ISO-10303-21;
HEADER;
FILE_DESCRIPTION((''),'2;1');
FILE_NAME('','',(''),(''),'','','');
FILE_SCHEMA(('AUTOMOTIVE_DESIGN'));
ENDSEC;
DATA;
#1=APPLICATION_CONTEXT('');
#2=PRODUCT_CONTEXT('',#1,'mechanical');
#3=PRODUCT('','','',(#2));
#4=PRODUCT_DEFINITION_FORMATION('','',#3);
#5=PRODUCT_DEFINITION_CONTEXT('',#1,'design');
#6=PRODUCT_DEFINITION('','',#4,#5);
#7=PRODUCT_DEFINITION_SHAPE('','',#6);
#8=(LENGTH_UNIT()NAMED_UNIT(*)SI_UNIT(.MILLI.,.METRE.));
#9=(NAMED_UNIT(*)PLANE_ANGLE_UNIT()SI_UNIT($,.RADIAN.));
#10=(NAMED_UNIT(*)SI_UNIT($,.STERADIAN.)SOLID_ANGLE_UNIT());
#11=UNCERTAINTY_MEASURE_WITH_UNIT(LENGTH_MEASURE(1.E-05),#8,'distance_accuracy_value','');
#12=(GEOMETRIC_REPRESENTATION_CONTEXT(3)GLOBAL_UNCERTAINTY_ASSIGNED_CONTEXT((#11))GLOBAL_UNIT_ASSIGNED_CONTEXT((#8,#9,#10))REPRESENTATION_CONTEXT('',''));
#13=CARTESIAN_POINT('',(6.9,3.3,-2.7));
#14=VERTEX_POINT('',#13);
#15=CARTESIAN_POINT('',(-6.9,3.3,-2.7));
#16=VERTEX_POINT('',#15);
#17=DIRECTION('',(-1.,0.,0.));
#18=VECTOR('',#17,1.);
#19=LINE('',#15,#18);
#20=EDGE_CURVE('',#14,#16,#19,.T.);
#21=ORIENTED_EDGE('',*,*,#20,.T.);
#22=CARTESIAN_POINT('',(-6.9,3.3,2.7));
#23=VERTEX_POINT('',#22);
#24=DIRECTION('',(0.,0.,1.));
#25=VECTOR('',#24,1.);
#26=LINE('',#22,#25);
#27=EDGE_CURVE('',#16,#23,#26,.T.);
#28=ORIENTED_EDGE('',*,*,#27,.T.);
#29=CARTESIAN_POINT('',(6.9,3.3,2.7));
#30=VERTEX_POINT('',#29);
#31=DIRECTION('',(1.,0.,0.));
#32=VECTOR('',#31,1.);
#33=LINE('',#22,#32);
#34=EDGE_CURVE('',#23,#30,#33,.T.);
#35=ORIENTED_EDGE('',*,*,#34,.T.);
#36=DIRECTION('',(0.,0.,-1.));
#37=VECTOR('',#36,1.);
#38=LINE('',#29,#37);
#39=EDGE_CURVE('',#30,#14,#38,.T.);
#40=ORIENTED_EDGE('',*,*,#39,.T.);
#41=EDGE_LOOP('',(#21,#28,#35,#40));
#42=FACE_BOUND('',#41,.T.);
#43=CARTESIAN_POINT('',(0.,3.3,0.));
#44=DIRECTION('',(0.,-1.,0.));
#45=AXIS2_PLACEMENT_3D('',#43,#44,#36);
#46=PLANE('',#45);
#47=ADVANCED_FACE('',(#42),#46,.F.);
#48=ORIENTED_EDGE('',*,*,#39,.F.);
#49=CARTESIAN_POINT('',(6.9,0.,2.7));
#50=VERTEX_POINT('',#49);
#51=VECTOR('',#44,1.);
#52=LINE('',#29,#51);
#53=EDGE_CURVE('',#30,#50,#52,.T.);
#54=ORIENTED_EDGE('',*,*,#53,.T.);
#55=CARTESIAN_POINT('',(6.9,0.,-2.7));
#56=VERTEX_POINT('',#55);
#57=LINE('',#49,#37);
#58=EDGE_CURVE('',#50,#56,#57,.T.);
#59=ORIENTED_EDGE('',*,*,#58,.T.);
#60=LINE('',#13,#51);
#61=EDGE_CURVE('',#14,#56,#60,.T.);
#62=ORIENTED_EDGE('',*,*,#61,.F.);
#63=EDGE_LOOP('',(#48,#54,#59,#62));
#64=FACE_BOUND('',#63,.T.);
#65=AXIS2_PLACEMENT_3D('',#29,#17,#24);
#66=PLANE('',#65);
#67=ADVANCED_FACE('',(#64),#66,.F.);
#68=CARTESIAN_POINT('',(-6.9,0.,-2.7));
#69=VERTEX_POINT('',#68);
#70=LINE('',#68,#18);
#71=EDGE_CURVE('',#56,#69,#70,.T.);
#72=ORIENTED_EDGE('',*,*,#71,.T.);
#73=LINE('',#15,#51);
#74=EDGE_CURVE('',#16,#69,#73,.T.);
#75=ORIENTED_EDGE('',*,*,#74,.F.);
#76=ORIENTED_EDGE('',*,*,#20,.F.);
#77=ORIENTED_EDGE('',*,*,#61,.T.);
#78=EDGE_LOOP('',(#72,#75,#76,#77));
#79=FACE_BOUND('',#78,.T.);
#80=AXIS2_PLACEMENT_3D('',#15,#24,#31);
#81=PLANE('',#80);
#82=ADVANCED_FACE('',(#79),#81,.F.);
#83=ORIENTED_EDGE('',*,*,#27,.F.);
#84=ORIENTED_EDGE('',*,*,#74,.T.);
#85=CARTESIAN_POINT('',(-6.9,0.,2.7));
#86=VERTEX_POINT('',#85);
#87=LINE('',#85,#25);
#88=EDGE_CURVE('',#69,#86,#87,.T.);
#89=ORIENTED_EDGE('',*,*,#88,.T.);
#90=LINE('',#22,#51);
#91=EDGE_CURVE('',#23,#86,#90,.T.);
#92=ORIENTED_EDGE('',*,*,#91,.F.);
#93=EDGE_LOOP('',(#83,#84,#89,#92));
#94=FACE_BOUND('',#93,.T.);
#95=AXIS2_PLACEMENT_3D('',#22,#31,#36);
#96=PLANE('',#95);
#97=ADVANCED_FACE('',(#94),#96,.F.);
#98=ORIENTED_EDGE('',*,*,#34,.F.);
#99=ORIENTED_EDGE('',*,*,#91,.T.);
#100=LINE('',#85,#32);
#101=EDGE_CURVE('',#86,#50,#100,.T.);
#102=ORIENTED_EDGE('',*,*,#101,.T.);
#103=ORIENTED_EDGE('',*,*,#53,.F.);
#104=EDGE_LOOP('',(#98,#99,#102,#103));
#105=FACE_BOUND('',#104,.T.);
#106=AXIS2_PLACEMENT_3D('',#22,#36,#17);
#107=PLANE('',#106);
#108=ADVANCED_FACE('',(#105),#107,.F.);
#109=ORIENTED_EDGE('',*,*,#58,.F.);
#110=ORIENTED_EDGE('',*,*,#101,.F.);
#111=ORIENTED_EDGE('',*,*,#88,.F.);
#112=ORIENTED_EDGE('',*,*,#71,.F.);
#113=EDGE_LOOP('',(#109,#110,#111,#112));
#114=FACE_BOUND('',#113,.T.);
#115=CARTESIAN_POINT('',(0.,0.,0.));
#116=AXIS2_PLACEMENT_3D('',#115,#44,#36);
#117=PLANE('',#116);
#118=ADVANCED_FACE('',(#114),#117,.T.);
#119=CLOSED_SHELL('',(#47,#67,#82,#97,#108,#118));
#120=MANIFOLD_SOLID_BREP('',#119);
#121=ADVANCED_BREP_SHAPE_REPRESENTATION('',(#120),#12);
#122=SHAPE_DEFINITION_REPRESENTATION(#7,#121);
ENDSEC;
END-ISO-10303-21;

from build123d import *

# Parameters (mm, degrees)
SKETCH1_W           = 13.8
SKETCH1_H           = 5.4
BOSS_EXTRUDE1_DEPTH = 3.3


with BuildPart() as part:
    # Sketch1 → Boss-Extrude1 (new body)
    with BuildSketch(Plane(origin=(0, 0, 0), x_dir=(1, 0, 0), z_dir=(0, 1, 0))):
        Rectangle(SKETCH1_W, SKETCH1_H)
    extrude(amount=BOSS_EXTRUDE1_DEPTH)


solid = part.part
